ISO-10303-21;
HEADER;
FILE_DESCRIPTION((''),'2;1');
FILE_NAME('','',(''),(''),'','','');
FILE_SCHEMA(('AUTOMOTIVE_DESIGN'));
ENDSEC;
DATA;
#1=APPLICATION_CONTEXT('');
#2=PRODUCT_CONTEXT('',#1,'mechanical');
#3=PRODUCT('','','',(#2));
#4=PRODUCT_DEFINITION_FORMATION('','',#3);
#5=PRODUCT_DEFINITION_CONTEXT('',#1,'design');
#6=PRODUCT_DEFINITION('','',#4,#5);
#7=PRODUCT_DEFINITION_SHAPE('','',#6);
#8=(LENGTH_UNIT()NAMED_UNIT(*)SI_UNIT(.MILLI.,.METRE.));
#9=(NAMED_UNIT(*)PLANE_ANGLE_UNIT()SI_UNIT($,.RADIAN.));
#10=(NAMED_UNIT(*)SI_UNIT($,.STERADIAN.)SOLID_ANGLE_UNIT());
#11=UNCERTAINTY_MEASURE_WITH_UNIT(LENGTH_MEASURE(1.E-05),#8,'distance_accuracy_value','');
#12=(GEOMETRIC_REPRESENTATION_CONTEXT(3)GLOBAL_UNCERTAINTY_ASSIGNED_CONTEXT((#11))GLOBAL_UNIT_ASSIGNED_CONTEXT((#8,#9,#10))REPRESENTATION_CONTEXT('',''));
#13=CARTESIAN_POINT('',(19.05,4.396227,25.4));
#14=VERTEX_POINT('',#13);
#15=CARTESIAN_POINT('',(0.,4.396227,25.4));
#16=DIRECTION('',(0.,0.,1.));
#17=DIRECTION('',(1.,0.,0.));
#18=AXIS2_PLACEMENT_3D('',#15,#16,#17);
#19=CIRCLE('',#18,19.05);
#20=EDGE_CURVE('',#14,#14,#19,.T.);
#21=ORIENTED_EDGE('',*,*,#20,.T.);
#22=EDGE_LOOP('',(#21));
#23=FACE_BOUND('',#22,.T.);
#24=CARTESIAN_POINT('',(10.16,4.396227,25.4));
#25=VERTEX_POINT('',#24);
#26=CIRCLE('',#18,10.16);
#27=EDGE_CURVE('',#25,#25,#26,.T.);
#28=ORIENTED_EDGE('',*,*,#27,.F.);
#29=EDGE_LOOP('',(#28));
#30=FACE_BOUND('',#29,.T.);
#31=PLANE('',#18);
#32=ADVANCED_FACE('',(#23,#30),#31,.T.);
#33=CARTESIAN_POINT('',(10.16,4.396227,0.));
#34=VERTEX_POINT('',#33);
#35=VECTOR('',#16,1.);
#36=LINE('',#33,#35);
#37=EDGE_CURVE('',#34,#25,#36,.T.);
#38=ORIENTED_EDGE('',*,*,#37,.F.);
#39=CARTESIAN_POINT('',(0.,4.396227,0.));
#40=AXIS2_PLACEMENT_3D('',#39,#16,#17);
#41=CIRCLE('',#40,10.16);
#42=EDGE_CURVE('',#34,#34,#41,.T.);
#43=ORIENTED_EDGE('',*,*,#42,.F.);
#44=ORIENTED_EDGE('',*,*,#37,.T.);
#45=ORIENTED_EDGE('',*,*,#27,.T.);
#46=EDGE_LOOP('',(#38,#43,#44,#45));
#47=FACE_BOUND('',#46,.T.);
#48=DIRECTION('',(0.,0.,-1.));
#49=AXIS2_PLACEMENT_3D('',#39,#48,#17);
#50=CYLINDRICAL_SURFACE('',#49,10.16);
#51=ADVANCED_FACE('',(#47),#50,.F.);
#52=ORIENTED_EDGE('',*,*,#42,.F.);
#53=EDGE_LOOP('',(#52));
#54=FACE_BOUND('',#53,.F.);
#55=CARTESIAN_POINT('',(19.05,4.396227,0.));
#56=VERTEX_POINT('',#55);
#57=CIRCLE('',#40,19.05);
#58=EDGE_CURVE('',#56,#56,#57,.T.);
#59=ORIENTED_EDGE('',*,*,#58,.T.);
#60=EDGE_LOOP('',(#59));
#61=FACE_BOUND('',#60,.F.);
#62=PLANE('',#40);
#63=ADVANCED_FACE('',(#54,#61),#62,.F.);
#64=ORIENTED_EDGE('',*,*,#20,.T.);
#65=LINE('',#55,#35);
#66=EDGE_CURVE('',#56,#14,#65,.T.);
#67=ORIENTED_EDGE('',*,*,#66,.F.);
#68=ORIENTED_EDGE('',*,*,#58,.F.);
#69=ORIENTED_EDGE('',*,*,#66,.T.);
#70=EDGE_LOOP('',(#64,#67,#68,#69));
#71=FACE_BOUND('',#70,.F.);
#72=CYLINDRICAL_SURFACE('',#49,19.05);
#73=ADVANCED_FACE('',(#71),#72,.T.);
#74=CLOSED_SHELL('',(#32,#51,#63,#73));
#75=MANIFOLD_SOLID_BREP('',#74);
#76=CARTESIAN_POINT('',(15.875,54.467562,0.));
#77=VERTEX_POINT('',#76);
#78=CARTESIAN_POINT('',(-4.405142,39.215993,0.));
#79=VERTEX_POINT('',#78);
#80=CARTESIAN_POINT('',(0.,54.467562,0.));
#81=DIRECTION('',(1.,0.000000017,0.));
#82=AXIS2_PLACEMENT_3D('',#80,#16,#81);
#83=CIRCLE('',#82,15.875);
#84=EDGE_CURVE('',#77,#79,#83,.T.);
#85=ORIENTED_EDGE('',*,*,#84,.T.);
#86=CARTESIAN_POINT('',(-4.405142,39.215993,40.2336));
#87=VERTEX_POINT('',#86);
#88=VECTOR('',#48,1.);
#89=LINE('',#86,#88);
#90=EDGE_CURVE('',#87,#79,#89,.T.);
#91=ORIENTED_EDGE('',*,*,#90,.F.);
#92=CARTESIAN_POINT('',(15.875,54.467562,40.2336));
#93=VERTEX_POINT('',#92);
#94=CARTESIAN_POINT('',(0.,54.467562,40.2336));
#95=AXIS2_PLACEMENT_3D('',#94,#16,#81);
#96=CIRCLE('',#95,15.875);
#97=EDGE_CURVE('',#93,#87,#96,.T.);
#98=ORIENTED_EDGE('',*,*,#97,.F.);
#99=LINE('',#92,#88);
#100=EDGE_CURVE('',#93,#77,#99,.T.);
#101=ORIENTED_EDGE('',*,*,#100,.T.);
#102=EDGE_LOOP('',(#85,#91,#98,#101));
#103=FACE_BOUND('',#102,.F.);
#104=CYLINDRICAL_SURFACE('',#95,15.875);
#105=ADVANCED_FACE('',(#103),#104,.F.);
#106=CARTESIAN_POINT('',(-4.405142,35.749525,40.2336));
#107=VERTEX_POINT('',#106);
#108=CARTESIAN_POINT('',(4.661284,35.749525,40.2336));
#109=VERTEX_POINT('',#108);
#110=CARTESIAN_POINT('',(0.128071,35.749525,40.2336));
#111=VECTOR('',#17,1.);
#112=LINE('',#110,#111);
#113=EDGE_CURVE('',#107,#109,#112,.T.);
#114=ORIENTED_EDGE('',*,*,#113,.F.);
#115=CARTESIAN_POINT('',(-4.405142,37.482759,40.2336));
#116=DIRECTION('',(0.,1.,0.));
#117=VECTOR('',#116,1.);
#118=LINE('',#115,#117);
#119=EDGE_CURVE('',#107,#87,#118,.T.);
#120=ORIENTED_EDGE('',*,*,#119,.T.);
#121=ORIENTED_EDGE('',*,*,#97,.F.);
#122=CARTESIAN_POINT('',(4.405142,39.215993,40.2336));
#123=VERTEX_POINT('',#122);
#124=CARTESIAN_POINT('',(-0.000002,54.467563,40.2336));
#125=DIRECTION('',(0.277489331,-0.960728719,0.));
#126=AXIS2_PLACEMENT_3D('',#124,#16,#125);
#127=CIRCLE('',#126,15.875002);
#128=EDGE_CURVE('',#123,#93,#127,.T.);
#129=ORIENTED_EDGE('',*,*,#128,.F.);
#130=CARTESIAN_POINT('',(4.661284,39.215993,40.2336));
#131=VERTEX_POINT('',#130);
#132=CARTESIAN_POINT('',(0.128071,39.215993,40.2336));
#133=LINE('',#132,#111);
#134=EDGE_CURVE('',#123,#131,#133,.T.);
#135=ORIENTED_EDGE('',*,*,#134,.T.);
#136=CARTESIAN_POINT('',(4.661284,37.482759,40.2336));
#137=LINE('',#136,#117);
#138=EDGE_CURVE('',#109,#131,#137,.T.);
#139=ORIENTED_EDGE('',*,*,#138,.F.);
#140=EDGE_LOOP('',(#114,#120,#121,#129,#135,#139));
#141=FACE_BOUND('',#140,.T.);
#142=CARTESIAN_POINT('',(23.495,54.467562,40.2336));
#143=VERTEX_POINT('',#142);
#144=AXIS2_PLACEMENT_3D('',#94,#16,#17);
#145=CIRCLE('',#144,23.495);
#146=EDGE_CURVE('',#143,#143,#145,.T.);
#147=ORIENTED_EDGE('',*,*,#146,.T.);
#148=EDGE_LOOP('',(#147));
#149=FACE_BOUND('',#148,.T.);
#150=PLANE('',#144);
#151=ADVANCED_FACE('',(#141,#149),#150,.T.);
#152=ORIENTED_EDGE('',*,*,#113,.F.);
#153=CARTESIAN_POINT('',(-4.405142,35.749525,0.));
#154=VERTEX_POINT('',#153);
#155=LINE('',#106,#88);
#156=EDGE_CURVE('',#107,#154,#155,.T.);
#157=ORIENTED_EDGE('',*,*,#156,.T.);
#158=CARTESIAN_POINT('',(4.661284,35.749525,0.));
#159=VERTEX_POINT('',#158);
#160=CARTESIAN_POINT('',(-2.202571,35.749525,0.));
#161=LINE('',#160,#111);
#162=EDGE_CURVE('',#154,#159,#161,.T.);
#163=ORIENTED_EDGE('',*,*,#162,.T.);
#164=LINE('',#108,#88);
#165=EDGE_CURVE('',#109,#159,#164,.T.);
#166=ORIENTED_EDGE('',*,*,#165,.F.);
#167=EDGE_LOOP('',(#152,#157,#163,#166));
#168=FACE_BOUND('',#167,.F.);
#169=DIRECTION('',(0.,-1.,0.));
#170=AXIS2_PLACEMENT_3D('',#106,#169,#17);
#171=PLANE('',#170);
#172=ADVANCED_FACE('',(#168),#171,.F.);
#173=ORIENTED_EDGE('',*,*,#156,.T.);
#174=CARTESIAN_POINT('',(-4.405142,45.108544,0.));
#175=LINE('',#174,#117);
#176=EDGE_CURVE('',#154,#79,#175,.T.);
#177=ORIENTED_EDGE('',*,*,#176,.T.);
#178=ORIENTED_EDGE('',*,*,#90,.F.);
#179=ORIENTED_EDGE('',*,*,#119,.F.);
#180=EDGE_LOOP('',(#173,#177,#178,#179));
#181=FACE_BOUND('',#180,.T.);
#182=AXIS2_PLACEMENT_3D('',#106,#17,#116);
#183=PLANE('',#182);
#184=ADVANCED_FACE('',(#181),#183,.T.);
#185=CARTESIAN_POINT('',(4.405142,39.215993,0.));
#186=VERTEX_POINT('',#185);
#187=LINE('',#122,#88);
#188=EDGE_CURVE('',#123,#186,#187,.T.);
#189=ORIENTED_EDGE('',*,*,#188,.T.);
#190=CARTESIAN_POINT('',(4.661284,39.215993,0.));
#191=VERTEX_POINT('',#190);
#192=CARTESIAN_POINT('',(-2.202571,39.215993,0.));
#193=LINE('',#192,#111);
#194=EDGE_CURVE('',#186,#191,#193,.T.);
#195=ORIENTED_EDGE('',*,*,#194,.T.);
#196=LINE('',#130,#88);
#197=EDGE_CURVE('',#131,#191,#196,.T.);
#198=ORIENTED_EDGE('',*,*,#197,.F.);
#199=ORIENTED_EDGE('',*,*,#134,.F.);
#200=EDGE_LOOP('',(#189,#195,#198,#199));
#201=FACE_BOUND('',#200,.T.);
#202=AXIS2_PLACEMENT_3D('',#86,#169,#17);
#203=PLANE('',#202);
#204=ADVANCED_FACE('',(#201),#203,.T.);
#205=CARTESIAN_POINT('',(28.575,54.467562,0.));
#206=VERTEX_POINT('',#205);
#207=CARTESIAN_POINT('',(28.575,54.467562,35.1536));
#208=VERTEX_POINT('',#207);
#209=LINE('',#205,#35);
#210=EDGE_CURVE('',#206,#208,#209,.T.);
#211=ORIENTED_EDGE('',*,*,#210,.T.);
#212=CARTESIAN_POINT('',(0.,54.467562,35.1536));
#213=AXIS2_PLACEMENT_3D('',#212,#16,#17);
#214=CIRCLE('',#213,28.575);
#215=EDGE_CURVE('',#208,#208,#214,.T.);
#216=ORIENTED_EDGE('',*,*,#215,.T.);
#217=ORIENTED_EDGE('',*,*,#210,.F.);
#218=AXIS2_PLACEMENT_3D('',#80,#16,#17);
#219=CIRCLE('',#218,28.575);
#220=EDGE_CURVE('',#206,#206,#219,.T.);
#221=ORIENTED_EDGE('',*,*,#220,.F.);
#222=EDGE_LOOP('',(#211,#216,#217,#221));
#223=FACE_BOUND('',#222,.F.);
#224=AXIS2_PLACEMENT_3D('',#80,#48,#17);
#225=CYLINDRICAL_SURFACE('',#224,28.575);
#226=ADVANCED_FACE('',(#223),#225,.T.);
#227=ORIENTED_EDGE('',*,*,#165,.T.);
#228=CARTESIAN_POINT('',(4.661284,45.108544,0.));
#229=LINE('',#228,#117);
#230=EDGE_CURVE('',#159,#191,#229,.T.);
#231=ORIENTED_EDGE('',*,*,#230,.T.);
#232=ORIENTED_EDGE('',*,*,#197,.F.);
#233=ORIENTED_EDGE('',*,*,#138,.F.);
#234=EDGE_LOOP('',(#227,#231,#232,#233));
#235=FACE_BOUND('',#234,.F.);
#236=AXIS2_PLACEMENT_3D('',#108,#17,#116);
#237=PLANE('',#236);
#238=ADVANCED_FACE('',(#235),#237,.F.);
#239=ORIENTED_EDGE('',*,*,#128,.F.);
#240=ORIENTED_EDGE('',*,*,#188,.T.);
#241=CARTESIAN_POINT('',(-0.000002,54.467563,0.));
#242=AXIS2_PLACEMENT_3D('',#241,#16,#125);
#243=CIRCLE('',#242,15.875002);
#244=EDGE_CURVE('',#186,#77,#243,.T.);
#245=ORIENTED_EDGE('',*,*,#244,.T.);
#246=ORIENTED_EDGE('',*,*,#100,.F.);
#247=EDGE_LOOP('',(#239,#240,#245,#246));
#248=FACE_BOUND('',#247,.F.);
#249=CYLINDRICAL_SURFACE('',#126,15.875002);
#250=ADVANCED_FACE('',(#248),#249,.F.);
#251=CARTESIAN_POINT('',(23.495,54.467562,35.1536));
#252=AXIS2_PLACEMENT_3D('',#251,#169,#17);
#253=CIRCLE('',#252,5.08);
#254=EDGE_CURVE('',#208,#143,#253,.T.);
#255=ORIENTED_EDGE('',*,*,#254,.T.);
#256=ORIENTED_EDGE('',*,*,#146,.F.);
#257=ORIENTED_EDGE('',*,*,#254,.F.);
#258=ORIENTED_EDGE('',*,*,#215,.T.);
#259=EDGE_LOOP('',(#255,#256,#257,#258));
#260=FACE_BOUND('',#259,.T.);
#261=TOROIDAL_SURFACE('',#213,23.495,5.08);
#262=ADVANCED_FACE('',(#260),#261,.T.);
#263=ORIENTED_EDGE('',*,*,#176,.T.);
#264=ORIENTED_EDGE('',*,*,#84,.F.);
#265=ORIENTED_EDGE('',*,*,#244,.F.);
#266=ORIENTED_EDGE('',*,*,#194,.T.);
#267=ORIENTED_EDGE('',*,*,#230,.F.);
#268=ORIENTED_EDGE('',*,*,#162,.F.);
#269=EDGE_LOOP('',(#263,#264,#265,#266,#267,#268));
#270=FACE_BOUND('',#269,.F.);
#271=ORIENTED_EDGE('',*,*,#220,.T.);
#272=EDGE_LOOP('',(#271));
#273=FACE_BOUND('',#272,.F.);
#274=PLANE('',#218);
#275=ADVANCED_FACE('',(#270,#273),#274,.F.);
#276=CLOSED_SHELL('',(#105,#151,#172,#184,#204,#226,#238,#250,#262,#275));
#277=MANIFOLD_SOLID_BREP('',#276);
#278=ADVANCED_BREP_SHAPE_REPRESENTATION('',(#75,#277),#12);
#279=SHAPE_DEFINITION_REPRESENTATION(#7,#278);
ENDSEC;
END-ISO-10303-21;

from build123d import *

# Parameters (mm, degrees)
F0_R     = 28.575
F1_DEPTH = 40.2336
F2_R     = 5.08
F4_DEPTH = 50.8
F5_W     = 9.066426
F5_H     = 3.466468
F6_DEPTH = 50.8
F7_R     = 19.05
F7_R_2   = 10.16
F8_DEPTH = 25.4


with BuildPart() as f1:
    # F0 (on Top) → F1 (new body)
    with BuildSketch(Plane.XY):
        with Locations((0, 54.467562)):
            Circle(F0_R)
    extrude(amount=F1_DEPTH)

    # F2
    f2_edges = [f1.edges().sort_by_distance(p)[0] for p in [
        (-28.575, 54.467562, 40.2336),
    ]]
    fillet(f2_edges, radius=F2_R)

    # F3 (on face) → F4 (cut)
    with BuildSketch(Plane.XY.offset(40.2336)):
        with BuildLine():
            ThreePointArc((4.405142, 39.215993), (12.687538, 44.925969), (15.875, 54.467562))
            ThreePointArc((15.875, 54.467562), (-9.541593, 67.1551), (-4.405142, 39.215993))
            Line((-4.405142, 39.215993), (4.405142, 39.215993))
        make_face()
    extrude(amount=-F4_DEPTH, mode=Mode.SUBTRACT)

    # F5 (on face) → F6 (cut)
    with BuildSketch(Plane.XY.offset(40.2336)):
        with Locations((0.128071, 37.482759)):
            Rectangle(F5_W, F5_H)
    extrude(amount=-F6_DEPTH, mode=Mode.SUBTRACT)


with BuildPart() as f8:
    # F7 (on Top) → F8 (new body)
    with BuildSketch(Plane.XY):
        with Locations((0, 4.396227)):
            Circle(F7_R)
        with Locations((0, 4.396227)):
            Circle(F7_R_2, mode=Mode.SUBTRACT)
    extrude(amount=F8_DEPTH)


solid = Compound([f1.part, f8.part])
